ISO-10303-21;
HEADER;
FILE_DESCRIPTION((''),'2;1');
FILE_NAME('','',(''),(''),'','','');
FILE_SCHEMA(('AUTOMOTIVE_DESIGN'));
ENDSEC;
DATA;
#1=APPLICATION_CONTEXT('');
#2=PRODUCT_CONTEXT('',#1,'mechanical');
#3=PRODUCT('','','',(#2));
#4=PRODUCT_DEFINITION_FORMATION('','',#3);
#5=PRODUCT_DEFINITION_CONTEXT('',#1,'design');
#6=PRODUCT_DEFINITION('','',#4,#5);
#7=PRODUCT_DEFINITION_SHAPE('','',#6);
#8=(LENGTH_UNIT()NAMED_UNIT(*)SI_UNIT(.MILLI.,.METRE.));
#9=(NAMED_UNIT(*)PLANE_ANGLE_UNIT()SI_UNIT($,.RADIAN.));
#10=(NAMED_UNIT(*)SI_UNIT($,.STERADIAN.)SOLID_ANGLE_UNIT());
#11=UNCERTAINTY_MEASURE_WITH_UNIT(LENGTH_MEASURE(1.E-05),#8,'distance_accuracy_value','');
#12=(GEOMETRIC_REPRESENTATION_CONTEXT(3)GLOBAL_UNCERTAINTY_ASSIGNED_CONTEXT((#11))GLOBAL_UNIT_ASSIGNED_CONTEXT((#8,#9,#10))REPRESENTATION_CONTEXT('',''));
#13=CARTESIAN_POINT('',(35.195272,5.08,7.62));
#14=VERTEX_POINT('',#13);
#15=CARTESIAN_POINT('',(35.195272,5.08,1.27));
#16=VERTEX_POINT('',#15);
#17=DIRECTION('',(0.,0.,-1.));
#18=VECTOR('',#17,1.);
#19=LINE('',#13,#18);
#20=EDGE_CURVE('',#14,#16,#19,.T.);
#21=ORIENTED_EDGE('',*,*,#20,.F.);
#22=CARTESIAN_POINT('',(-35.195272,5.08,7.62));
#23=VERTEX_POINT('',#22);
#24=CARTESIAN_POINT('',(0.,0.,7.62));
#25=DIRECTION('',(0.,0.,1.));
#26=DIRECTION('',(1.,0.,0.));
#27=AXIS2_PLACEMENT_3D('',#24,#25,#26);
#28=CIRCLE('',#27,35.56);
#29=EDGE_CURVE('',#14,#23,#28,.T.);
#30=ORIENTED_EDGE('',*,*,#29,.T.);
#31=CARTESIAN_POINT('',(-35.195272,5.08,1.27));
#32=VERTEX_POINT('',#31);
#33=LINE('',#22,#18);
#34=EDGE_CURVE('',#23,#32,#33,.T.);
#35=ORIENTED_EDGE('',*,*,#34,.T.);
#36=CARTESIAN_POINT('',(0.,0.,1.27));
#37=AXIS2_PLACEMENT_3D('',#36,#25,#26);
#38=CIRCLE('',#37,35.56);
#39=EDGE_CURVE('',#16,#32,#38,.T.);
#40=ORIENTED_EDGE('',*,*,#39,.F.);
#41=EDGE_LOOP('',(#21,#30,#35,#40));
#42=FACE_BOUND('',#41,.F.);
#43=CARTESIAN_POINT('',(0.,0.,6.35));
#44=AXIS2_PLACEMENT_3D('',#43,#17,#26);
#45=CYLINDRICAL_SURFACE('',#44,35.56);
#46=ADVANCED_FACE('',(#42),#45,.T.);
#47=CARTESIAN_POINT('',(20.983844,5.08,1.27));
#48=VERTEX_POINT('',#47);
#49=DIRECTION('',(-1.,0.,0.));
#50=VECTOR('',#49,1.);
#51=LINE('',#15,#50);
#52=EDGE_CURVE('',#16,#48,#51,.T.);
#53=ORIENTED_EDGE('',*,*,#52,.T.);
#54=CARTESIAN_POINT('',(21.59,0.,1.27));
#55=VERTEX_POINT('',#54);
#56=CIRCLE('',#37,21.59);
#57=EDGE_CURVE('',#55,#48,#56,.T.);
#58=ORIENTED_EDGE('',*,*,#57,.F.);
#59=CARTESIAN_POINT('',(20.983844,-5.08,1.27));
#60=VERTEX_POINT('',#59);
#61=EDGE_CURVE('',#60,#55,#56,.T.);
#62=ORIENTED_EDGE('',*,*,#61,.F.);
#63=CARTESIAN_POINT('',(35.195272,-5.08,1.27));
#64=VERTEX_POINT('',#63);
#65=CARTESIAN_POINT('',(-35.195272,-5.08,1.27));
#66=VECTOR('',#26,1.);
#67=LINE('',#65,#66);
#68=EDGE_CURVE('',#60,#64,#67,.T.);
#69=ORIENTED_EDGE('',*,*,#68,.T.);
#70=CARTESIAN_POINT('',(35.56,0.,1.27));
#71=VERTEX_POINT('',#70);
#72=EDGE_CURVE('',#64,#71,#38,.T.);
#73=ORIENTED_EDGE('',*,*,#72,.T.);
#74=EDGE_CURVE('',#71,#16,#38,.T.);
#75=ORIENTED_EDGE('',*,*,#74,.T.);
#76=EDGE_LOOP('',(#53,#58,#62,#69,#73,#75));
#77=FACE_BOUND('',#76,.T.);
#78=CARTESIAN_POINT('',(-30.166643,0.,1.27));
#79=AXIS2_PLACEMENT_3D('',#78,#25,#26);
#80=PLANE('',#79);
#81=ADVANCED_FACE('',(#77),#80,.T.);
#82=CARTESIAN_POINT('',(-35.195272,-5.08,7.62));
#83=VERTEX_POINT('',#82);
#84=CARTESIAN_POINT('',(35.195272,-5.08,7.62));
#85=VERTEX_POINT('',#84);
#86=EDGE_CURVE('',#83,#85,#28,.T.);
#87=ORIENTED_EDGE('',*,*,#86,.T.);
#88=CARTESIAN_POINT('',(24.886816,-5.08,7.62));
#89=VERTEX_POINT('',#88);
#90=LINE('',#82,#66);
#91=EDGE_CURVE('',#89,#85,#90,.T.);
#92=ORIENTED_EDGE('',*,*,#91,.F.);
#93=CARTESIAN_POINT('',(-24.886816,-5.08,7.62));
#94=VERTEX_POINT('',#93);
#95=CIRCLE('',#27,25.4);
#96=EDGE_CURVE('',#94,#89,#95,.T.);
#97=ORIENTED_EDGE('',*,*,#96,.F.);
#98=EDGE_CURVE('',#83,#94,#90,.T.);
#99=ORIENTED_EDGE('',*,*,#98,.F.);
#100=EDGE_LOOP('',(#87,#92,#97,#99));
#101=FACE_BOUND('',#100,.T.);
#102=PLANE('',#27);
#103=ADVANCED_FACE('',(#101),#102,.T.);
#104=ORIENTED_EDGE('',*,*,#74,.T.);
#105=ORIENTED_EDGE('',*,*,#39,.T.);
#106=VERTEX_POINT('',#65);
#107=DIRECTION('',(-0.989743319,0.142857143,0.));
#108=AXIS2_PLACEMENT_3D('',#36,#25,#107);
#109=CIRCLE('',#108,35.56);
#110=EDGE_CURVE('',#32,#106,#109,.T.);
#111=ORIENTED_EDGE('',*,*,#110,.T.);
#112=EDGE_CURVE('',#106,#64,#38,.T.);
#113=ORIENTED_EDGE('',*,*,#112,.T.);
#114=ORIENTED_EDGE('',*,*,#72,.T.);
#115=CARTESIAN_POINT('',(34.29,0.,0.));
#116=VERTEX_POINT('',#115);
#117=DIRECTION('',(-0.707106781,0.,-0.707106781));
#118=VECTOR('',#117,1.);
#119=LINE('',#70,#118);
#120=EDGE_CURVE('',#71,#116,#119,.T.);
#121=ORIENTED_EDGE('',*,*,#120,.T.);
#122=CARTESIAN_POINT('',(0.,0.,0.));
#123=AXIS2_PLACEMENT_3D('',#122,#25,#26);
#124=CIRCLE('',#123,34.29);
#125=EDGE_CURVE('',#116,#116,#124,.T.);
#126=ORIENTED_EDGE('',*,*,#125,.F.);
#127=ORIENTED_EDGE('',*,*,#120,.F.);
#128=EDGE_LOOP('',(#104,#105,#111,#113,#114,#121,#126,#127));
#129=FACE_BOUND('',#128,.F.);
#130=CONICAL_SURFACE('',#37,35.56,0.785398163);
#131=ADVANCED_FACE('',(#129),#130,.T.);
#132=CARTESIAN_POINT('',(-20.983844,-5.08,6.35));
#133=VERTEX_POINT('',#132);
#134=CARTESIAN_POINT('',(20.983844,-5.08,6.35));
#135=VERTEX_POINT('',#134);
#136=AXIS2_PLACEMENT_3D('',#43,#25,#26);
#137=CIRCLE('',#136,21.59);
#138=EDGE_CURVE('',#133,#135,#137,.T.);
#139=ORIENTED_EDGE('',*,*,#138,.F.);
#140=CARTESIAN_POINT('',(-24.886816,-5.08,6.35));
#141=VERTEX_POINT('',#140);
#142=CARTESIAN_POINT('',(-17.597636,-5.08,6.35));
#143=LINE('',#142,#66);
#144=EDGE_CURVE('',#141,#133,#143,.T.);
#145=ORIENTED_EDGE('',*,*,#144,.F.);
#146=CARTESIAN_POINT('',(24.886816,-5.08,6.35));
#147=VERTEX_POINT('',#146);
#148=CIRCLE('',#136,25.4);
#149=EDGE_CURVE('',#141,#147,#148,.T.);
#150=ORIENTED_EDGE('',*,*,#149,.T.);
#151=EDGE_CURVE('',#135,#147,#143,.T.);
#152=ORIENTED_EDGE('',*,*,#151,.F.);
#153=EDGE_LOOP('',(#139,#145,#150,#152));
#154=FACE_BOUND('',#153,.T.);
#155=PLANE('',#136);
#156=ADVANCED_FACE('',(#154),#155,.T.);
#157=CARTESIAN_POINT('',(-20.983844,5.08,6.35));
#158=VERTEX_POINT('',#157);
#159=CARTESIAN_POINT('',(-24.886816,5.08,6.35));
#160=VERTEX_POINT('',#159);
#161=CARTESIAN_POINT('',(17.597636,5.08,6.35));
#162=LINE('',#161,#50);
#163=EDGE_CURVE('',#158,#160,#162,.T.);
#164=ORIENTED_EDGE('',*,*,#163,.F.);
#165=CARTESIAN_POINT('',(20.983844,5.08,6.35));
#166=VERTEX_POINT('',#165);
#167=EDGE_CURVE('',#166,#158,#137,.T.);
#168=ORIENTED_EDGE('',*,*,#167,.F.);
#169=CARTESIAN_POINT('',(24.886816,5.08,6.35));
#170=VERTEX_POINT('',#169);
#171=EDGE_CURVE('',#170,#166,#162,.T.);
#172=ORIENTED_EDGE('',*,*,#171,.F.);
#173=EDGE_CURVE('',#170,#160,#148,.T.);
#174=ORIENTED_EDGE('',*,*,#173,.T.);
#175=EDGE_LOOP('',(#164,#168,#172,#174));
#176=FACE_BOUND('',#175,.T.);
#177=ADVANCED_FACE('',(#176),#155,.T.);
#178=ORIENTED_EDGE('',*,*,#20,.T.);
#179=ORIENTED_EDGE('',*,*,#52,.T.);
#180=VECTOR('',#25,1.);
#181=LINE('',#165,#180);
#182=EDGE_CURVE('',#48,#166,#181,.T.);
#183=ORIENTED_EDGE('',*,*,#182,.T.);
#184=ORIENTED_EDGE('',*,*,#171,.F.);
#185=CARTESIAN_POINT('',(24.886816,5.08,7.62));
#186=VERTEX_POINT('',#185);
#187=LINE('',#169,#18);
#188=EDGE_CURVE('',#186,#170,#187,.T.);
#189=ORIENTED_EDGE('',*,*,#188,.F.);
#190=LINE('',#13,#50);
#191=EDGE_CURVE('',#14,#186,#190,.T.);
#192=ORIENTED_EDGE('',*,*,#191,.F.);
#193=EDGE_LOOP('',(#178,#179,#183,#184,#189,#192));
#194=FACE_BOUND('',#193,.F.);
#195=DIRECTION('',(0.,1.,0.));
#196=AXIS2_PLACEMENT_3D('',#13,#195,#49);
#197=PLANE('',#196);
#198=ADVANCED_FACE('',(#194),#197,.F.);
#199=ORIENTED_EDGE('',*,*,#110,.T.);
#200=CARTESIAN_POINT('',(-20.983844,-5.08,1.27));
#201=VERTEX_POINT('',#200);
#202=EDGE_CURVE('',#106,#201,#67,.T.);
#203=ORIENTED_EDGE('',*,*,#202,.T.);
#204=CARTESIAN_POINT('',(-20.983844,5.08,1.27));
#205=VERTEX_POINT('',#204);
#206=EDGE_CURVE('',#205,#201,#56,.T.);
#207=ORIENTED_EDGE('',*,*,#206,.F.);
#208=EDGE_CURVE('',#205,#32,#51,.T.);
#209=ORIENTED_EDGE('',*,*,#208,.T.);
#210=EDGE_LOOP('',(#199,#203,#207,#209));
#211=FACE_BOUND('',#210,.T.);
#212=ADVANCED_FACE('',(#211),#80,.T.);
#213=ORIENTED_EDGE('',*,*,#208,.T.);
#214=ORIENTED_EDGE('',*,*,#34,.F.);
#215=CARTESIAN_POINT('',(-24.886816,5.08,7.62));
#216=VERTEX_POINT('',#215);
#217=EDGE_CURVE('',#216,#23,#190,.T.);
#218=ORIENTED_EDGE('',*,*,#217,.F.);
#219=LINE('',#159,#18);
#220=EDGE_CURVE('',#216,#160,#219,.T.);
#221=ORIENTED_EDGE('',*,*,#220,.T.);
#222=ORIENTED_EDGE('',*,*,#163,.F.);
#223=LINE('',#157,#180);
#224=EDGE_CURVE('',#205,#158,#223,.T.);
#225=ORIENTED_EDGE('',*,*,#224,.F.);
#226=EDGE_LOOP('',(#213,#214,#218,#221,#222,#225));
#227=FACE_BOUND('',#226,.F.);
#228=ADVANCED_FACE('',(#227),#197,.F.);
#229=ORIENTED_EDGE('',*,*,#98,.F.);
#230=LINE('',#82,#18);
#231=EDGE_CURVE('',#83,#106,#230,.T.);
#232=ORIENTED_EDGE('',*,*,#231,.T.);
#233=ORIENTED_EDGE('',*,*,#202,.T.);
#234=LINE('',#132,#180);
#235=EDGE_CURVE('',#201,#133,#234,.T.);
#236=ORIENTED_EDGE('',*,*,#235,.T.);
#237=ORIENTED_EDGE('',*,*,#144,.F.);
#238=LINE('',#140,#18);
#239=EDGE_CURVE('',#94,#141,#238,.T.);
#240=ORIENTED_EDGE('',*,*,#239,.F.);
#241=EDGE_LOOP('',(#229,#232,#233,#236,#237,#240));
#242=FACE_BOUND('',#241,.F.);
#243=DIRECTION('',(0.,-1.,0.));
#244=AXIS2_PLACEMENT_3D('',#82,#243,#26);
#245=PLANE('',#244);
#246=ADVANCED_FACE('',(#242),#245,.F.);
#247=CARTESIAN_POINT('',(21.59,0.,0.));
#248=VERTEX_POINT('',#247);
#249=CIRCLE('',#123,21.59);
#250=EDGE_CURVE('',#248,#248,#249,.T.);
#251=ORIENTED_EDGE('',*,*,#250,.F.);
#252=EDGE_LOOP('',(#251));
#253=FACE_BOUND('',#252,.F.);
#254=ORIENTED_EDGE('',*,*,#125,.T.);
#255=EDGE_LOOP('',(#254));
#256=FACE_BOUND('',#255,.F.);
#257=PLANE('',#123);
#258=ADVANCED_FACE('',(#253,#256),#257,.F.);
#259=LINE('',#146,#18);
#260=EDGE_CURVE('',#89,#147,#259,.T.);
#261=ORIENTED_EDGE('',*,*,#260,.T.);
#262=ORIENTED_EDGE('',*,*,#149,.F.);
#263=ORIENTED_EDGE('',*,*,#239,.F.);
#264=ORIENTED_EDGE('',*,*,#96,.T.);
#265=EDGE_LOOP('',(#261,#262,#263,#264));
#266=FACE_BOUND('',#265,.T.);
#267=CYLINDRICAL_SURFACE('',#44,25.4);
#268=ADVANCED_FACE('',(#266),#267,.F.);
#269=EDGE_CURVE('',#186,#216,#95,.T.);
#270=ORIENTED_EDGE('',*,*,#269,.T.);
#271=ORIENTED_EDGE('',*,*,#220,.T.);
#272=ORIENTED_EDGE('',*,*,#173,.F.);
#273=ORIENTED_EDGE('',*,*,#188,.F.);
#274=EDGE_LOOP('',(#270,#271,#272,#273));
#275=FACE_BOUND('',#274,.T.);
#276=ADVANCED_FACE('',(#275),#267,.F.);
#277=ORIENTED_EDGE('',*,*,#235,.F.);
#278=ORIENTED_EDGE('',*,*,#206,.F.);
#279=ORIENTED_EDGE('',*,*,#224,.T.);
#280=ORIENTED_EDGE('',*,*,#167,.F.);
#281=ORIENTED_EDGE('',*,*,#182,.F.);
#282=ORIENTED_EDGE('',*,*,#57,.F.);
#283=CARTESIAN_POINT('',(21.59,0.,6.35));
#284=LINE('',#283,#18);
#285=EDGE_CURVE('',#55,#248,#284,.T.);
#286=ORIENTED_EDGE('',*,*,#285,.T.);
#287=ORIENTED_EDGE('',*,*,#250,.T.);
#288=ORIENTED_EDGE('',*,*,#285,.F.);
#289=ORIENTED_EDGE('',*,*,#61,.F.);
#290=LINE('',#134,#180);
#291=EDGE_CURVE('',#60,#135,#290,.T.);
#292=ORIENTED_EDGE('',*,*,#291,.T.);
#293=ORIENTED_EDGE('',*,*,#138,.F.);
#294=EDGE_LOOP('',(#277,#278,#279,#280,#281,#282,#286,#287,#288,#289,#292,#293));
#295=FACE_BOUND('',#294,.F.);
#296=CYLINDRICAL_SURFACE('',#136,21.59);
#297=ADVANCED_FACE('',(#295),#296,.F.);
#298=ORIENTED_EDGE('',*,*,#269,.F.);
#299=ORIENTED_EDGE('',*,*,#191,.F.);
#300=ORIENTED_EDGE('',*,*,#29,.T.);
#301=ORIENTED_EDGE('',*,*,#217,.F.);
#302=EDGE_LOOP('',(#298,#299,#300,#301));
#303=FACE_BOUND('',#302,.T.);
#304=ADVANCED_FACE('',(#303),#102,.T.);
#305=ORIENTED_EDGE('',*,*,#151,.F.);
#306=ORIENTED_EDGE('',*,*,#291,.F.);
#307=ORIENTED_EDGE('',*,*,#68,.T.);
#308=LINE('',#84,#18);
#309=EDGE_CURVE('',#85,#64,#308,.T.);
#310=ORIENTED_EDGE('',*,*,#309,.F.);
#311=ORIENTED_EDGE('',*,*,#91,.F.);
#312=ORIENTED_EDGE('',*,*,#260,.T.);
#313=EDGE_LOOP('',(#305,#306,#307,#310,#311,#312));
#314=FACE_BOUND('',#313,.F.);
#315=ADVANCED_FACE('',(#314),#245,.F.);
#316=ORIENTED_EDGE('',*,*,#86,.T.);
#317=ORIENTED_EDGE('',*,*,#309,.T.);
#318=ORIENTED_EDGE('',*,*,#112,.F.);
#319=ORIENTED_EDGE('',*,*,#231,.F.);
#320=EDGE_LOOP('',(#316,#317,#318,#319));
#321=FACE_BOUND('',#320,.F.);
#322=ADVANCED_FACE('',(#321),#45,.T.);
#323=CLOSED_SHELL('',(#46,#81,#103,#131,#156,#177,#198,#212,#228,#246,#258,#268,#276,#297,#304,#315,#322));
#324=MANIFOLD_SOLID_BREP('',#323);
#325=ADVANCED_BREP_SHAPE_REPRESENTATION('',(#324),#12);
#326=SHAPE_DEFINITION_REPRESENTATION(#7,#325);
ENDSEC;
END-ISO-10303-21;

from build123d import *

# Parameters (mm, degrees)
F0_R     = 35.56
F1_DEPTH = 6.35
F2_R     = 35.56
F2_R_2   = 25.4
F3_DEPTH = 1.27
F4_SIZE  = 1.27
F5_R     = 21.59
F6_DEPTH = 25.4
F8_DEPTH = 6.35


with BuildPart() as f1:
    # F0 (on Top) → F1 (new body)
    with BuildSketch(Plane.XY):
        Circle(F0_R)
    extrude(amount=F1_DEPTH)

    # F2 (on face) → F3 (join)
    with BuildSketch(Plane.XY.offset(6.35)):
        Circle(F2_R)
        Circle(F2_R_2, mode=Mode.SUBTRACT)
    extrude(amount=F3_DEPTH)

    # F4
    f4_edges = [f1.edges().sort_by_distance(p)[0] for p in [
        (-35.56, 0, 0),
    ]]
    chamfer(f4_edges, length=F4_SIZE)

    # F5 (on face) → F6 (cut)
    with BuildSketch(Plane.XY.offset(6.35)):
        Circle(F5_R)
    extrude(amount=-F6_DEPTH, mode=Mode.SUBTRACT)

    # F7 (on face) → F8 (cut)
    with BuildSketch(Plane.XY.offset(7.62)):
        with BuildLine():
            ThreePointArc((-35.1952724098, 5.08), (-35.56, 0), (-35.1952724098, -5.08))
            Line((-35.1952724098, -5.08), (-24.8868157867, -5.08))
            ThreePointArc((-24.8868157867, -5.08), (-25.4, 0), (-24.8868157867, 5.08))
            Line((-24.8868157867, 5.08), (-35.1952724098, 5.08))
        make_face()
        with BuildLine():
            Line((-24.8868157867, -5.08), (24.8868157867, -5.08))
            ThreePointArc((24.8868157867, -5.08), (25.2713782863, -2.5529276349), (25.4, 0))
            ThreePointArc((25.4, 0), (25.2713782863, 2.5529276349), (24.8868157867, 5.08))
            Line((24.8868157867, 5.08), (-24.8868157867, 5.08))
            ThreePointArc((-24.8868157867, 5.08), (-25.4, 0), (-24.8868157867, -5.08))
        make_face()
        with BuildLine():
            Line((24.8868157867, -5.08), (35.1952724098, -5.08))
            ThreePointArc((35.1952724098, -5.08), (35.4687008988, -2.5465381509), (35.56, 0))
            ThreePointArc((35.56, 0), (35.4687008988, 2.5465381509), (35.1952724098, 5.08))
            Line((35.1952724098, 5.08), (24.8868157867, 5.08))
            ThreePointArc((24.8868157867, 5.08), (25.2713782863, 2.5529276349), (25.4, 0))
            ThreePointArc((25.4, 0), (25.2713782863, -2.5529276349), (24.8868157867, -5.08))
        make_face()
    extrude(amount=-F8_DEPTH, mode=Mode.SUBTRACT)


solid = f1.part
